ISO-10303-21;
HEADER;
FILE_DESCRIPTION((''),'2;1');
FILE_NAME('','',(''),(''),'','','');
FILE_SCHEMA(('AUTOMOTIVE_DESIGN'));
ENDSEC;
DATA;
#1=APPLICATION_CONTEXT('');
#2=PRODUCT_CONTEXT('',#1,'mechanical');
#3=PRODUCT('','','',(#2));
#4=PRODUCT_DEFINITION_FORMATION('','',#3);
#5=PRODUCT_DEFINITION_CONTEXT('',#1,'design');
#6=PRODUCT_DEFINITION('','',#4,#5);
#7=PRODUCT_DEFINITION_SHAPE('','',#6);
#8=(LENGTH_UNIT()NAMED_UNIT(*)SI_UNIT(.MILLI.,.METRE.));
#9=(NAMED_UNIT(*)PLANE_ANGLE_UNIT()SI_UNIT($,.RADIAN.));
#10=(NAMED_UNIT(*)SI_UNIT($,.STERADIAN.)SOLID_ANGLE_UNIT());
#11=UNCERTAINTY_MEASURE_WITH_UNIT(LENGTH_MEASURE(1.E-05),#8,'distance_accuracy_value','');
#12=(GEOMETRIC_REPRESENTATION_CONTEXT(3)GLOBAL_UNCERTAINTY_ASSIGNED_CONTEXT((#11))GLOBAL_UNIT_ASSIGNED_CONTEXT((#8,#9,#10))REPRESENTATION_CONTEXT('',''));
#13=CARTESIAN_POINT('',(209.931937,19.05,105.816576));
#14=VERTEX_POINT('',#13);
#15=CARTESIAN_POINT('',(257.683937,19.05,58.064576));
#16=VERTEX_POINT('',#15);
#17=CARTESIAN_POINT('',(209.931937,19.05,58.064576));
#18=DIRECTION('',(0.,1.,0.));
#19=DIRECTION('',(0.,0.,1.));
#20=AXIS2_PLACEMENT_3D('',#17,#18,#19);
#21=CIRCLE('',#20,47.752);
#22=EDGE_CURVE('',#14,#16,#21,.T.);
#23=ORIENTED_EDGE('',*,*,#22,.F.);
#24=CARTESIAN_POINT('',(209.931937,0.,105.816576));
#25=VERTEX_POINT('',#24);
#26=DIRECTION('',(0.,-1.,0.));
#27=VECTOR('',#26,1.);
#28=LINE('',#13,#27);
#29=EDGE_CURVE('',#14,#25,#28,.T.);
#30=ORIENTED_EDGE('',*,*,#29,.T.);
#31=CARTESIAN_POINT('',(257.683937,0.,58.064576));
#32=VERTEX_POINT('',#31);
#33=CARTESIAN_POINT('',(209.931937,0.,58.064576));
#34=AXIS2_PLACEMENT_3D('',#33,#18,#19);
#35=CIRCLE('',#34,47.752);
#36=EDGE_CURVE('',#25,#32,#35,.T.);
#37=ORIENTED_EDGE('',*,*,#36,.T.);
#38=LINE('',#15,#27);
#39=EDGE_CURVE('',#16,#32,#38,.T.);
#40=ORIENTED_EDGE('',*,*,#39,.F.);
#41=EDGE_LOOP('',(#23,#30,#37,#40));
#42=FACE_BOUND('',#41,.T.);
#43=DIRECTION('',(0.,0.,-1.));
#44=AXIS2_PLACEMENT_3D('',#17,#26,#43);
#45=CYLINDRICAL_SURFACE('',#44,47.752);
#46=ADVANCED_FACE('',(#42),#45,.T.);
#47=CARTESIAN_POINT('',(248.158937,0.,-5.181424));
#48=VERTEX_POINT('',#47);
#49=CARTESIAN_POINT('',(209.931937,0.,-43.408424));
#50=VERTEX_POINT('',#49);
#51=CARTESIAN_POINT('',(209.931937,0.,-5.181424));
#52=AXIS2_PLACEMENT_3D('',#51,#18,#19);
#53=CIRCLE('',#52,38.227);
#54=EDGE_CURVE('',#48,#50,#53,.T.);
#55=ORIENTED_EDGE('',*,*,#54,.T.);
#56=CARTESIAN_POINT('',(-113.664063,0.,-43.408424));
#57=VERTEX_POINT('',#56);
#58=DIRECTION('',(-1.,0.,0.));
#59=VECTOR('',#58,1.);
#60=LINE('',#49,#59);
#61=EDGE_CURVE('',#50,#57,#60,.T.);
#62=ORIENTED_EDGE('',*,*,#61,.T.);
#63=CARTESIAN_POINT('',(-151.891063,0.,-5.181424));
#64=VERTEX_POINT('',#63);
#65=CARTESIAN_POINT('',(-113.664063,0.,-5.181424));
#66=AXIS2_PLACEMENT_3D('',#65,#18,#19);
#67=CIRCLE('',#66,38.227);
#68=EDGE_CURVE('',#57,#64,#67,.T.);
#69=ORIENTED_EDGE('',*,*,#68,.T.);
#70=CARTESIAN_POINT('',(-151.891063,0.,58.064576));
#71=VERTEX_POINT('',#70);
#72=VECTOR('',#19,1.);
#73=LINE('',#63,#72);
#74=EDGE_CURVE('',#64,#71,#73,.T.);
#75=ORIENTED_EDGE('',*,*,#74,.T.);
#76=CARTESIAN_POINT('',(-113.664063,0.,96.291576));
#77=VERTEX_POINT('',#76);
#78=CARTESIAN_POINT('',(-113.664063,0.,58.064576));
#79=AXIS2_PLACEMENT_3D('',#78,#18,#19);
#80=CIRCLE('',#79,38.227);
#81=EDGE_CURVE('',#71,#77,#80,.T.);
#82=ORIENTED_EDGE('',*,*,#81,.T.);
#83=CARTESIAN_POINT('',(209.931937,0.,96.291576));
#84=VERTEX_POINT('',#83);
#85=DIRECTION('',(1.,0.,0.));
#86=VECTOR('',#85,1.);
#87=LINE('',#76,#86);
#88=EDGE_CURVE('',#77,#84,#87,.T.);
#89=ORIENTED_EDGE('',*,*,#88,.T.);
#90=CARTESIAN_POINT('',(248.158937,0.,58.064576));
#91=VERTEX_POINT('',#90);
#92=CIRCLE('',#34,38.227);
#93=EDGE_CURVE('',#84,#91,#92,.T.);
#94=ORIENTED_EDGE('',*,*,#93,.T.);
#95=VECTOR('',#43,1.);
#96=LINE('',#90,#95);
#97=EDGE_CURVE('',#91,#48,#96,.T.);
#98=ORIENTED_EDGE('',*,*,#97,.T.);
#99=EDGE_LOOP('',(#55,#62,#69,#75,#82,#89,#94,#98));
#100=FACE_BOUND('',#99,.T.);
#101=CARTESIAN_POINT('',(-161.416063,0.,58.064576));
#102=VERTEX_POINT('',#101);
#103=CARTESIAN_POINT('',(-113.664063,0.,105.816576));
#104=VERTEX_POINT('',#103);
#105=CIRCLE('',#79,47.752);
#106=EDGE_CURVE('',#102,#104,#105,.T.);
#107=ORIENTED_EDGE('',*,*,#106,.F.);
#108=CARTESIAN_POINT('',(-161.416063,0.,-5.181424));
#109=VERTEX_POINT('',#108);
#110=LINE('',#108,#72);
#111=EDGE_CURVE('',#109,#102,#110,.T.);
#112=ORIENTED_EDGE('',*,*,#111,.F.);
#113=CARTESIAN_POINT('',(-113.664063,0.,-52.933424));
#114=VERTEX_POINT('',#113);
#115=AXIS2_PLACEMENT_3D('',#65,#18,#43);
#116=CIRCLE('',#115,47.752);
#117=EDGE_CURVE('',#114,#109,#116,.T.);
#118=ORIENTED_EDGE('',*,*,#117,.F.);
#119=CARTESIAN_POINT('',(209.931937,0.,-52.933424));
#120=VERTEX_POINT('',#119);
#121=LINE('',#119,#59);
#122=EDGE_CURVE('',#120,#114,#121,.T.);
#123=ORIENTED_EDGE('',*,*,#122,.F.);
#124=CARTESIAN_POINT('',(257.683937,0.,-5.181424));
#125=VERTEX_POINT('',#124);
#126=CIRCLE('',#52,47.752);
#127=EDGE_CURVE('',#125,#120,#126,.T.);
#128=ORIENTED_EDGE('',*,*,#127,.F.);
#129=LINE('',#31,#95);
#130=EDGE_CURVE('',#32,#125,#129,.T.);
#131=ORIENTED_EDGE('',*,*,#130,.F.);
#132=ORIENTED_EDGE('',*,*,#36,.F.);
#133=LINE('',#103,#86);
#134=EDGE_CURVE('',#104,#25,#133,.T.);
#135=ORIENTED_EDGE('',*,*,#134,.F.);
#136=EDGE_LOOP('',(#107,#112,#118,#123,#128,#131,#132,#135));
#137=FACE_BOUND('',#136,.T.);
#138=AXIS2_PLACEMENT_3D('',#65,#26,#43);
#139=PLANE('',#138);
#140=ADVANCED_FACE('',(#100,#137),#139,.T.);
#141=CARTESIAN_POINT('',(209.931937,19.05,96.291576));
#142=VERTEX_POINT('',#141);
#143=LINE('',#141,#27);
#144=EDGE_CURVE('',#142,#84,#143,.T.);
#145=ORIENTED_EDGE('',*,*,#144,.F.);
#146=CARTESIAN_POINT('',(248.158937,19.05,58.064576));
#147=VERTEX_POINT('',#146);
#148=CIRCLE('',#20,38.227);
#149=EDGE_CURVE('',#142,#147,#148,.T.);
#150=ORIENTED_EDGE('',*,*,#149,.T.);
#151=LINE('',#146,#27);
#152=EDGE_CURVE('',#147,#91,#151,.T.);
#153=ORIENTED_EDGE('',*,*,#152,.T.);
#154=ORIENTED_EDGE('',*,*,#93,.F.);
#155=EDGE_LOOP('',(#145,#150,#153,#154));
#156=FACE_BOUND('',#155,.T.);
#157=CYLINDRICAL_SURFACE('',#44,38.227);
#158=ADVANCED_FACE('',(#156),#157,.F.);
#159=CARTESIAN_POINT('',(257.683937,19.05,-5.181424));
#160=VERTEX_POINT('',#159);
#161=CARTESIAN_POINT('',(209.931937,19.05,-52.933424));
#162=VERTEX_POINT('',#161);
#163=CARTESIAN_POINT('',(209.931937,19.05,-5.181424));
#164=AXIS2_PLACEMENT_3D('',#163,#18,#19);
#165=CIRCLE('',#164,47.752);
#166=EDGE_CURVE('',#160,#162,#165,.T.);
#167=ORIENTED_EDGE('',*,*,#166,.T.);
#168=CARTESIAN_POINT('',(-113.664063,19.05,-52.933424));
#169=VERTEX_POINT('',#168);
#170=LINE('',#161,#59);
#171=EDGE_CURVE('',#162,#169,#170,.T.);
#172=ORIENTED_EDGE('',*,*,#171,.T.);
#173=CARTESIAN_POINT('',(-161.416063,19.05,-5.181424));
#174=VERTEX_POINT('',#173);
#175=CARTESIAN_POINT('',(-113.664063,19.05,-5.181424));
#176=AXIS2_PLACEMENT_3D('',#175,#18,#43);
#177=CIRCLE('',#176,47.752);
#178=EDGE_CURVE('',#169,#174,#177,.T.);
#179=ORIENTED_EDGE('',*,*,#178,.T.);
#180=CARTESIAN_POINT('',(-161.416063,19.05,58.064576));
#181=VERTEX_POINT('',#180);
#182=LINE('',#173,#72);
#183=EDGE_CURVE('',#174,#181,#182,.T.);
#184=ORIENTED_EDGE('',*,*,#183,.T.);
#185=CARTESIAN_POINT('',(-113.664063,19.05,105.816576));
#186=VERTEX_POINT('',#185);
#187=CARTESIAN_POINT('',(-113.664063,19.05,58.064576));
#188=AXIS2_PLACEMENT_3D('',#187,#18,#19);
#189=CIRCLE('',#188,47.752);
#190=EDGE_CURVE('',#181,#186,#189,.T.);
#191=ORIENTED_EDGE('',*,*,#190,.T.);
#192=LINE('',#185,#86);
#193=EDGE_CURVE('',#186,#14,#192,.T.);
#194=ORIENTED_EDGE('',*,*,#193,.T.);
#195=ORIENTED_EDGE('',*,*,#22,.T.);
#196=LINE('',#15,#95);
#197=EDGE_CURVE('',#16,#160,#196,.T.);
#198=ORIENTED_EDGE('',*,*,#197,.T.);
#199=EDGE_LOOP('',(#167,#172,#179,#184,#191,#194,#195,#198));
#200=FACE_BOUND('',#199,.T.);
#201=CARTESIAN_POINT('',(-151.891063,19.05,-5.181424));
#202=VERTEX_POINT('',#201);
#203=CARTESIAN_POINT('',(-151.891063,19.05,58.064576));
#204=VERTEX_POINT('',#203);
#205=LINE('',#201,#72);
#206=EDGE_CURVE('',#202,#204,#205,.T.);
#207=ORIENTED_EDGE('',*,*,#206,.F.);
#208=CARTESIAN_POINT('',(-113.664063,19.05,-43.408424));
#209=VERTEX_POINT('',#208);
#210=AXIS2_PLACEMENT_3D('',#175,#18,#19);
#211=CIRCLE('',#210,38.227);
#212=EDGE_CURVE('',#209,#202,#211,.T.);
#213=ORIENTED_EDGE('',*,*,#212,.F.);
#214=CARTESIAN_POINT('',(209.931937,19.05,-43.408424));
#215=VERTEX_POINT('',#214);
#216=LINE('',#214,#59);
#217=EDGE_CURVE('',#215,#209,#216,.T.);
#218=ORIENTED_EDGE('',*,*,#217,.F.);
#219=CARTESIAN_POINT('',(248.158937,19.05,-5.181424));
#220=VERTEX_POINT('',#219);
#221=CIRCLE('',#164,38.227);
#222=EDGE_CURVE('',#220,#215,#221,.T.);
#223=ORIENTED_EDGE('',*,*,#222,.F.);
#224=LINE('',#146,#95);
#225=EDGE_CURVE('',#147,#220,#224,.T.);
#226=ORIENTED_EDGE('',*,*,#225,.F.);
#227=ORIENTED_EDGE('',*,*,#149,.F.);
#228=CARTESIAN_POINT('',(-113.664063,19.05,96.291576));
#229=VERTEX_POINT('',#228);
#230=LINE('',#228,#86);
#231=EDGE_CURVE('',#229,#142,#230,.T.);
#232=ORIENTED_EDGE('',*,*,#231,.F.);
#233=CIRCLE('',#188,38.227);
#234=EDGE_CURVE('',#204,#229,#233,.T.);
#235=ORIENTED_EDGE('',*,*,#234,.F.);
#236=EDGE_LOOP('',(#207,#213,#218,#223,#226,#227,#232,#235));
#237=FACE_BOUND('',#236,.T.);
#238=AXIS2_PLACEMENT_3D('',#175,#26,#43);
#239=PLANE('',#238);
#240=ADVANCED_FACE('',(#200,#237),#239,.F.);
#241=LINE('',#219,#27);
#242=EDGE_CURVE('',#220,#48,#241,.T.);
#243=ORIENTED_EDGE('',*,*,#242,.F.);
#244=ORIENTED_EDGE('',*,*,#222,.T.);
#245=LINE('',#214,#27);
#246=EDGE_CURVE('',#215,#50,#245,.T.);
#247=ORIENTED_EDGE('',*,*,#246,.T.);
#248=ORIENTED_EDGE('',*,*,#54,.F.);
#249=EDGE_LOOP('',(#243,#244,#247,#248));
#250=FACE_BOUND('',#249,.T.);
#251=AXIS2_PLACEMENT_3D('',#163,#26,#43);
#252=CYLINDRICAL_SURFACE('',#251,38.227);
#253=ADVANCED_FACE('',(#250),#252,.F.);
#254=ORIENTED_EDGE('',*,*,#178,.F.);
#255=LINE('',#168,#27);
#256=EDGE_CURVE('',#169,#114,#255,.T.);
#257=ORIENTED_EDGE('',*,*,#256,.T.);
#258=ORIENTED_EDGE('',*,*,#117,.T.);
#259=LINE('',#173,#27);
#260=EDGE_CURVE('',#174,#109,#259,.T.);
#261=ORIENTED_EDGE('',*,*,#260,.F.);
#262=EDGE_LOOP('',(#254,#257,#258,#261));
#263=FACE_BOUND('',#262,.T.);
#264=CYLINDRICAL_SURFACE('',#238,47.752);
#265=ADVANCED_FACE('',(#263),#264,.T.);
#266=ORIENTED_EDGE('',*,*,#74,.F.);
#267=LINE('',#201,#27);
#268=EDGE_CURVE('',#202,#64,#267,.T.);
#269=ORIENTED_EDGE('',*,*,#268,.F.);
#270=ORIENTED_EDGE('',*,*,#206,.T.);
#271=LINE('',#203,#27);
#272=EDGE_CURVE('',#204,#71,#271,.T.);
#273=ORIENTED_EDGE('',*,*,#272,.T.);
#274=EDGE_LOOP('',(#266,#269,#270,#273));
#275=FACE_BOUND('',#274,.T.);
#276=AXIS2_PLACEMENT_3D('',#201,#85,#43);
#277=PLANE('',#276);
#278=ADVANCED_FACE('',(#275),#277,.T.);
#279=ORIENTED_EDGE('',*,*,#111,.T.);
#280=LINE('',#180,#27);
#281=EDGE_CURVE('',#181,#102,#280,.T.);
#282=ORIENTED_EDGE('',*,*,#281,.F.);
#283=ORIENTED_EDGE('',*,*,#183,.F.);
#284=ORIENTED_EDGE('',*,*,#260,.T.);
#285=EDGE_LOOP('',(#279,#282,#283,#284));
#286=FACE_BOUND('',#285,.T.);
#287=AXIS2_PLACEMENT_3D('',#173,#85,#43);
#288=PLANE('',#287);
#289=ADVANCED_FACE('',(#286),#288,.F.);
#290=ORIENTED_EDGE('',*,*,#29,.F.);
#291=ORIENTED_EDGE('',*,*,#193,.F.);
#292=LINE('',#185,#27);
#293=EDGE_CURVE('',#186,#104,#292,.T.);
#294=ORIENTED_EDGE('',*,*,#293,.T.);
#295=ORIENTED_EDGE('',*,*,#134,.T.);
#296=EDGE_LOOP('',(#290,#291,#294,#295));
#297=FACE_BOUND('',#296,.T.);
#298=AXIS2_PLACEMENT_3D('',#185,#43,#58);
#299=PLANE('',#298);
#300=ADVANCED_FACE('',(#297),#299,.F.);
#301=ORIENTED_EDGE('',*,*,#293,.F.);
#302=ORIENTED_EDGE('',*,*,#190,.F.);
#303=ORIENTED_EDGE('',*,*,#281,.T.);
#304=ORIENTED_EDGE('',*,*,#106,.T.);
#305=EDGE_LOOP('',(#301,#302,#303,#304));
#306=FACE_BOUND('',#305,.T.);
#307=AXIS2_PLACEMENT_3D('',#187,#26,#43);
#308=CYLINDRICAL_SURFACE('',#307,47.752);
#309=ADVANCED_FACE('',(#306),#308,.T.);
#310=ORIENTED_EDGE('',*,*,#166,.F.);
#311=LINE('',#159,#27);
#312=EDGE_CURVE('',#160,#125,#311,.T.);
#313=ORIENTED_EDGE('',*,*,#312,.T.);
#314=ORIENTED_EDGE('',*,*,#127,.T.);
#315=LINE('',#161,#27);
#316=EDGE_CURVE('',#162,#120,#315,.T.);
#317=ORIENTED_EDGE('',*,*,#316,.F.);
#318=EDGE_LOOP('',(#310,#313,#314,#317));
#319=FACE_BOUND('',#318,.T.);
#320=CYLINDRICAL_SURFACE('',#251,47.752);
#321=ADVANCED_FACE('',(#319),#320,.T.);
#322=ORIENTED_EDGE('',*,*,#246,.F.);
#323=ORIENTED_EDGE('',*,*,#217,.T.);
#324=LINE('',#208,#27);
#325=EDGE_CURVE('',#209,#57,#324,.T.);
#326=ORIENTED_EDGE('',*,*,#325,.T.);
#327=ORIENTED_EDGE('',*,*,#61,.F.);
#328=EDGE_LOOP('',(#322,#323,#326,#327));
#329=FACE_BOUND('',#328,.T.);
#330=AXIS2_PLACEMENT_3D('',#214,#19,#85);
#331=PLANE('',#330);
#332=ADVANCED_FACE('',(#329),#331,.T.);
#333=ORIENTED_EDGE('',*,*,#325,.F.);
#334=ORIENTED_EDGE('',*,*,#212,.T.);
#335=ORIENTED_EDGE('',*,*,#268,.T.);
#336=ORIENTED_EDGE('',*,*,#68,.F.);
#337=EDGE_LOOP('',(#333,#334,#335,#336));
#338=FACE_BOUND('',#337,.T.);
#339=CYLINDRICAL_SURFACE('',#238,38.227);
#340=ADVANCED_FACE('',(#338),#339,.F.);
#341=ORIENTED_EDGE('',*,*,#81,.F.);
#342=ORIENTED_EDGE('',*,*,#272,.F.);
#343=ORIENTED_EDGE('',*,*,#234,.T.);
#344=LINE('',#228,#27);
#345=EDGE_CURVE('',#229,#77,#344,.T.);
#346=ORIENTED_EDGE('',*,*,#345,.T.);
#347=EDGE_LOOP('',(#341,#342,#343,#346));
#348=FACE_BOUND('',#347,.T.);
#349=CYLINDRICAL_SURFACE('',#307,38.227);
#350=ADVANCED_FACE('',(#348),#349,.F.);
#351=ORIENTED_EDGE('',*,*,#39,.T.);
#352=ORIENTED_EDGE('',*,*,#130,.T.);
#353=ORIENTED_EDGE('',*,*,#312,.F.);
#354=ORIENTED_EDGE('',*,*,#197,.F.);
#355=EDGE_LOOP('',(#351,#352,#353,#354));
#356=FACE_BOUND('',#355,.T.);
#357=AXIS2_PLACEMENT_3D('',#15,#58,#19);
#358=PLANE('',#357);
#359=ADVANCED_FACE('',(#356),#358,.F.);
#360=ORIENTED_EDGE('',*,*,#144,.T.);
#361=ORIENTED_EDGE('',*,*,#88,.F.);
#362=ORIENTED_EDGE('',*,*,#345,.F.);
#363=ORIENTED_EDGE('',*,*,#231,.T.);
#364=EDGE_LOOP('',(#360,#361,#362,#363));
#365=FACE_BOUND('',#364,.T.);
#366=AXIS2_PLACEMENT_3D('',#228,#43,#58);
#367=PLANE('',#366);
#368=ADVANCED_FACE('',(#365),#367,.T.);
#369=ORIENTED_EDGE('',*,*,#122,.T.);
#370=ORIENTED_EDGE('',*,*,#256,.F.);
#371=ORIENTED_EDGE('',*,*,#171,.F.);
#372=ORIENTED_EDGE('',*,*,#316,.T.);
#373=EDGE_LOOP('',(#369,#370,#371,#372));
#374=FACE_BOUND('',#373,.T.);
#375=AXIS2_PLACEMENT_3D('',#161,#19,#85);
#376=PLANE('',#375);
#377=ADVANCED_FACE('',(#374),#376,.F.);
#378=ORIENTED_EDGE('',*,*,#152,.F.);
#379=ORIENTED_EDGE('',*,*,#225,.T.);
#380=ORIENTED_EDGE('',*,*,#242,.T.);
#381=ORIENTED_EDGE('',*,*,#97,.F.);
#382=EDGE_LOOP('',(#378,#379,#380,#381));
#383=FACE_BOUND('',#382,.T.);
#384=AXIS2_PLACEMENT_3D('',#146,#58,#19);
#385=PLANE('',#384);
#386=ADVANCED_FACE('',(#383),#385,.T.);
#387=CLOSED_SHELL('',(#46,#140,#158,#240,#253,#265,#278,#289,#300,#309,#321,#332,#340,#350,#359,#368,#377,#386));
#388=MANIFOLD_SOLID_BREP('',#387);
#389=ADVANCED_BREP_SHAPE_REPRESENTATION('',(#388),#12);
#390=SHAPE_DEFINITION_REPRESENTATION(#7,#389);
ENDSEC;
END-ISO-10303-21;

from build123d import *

# Parameters (mm, degrees)
BOSS_EXTRUDE1_DEPTH = 19.05


with BuildPart() as part:
    # Sketch1 → Boss-Extrude1 (new body)
    with BuildSketch(Plane(origin=(0, 0, 0), x_dir=(1, 0, 0), z_dir=(0, 1, 0))):
        with BuildLine():
            Line((-161.416063287, 5.181424099), (-161.416063287, -58.064575901))
            ThreePointArc((-161.416063287, -58.064575901), (-147.429826303, -91.830338916), (-113.664063287, -105.816575901))
            Line((-113.664063287, -105.816575901), (209.931936713, -105.816575901))
            ThreePointArc((209.931936713, -105.816575901), (243.697699728, -91.830338916), (257.683936713, -58.064575901))
            Line((257.683936713, -58.064575901), (257.683936713, 5.181424099))
            ThreePointArc((257.683936713, 5.181424099), (243.697699728, 38.947187114), (209.931936713, 52.933424099))
            Line((209.931936713, 52.933424099), (-113.664063287, 52.933424099))
            ThreePointArc((-113.664063287, 52.933424099), (-147.429826303, 38.947187114), (-161.416063287, 5.181424099))
        make_face()
        with BuildLine():
            Line((-151.891063287, 5.181424099), (-151.891063287, -58.064575901))
            ThreePointArc((-151.891063287, -58.064575901), (-140.694634212, -85.095146825), (-113.664063287, -96.291575901))
            Line((-113.664063287, -96.291575901), (209.931936713, -96.291575901))
            ThreePointArc((209.931936713, -96.291575901), (236.962507637, -85.095146825), (248.158936713, -58.064575901))
            Line((248.158936713, -58.064575901), (248.158936713, 5.181424099))
            ThreePointArc((248.158936713, 5.181424099), (236.962507637, 32.211995024), (209.931936713, 43.408424099))
            Line((209.931936713, 43.408424099), (-113.664063287, 43.408424099))
            ThreePointArc((-113.664063287, 43.408424099), (-140.694634212, 32.211995024), (-151.891063287, 5.181424099))
        make_face(mode=Mode.SUBTRACT)
    extrude(amount=BOSS_EXTRUDE1_DEPTH)


solid = part.part
